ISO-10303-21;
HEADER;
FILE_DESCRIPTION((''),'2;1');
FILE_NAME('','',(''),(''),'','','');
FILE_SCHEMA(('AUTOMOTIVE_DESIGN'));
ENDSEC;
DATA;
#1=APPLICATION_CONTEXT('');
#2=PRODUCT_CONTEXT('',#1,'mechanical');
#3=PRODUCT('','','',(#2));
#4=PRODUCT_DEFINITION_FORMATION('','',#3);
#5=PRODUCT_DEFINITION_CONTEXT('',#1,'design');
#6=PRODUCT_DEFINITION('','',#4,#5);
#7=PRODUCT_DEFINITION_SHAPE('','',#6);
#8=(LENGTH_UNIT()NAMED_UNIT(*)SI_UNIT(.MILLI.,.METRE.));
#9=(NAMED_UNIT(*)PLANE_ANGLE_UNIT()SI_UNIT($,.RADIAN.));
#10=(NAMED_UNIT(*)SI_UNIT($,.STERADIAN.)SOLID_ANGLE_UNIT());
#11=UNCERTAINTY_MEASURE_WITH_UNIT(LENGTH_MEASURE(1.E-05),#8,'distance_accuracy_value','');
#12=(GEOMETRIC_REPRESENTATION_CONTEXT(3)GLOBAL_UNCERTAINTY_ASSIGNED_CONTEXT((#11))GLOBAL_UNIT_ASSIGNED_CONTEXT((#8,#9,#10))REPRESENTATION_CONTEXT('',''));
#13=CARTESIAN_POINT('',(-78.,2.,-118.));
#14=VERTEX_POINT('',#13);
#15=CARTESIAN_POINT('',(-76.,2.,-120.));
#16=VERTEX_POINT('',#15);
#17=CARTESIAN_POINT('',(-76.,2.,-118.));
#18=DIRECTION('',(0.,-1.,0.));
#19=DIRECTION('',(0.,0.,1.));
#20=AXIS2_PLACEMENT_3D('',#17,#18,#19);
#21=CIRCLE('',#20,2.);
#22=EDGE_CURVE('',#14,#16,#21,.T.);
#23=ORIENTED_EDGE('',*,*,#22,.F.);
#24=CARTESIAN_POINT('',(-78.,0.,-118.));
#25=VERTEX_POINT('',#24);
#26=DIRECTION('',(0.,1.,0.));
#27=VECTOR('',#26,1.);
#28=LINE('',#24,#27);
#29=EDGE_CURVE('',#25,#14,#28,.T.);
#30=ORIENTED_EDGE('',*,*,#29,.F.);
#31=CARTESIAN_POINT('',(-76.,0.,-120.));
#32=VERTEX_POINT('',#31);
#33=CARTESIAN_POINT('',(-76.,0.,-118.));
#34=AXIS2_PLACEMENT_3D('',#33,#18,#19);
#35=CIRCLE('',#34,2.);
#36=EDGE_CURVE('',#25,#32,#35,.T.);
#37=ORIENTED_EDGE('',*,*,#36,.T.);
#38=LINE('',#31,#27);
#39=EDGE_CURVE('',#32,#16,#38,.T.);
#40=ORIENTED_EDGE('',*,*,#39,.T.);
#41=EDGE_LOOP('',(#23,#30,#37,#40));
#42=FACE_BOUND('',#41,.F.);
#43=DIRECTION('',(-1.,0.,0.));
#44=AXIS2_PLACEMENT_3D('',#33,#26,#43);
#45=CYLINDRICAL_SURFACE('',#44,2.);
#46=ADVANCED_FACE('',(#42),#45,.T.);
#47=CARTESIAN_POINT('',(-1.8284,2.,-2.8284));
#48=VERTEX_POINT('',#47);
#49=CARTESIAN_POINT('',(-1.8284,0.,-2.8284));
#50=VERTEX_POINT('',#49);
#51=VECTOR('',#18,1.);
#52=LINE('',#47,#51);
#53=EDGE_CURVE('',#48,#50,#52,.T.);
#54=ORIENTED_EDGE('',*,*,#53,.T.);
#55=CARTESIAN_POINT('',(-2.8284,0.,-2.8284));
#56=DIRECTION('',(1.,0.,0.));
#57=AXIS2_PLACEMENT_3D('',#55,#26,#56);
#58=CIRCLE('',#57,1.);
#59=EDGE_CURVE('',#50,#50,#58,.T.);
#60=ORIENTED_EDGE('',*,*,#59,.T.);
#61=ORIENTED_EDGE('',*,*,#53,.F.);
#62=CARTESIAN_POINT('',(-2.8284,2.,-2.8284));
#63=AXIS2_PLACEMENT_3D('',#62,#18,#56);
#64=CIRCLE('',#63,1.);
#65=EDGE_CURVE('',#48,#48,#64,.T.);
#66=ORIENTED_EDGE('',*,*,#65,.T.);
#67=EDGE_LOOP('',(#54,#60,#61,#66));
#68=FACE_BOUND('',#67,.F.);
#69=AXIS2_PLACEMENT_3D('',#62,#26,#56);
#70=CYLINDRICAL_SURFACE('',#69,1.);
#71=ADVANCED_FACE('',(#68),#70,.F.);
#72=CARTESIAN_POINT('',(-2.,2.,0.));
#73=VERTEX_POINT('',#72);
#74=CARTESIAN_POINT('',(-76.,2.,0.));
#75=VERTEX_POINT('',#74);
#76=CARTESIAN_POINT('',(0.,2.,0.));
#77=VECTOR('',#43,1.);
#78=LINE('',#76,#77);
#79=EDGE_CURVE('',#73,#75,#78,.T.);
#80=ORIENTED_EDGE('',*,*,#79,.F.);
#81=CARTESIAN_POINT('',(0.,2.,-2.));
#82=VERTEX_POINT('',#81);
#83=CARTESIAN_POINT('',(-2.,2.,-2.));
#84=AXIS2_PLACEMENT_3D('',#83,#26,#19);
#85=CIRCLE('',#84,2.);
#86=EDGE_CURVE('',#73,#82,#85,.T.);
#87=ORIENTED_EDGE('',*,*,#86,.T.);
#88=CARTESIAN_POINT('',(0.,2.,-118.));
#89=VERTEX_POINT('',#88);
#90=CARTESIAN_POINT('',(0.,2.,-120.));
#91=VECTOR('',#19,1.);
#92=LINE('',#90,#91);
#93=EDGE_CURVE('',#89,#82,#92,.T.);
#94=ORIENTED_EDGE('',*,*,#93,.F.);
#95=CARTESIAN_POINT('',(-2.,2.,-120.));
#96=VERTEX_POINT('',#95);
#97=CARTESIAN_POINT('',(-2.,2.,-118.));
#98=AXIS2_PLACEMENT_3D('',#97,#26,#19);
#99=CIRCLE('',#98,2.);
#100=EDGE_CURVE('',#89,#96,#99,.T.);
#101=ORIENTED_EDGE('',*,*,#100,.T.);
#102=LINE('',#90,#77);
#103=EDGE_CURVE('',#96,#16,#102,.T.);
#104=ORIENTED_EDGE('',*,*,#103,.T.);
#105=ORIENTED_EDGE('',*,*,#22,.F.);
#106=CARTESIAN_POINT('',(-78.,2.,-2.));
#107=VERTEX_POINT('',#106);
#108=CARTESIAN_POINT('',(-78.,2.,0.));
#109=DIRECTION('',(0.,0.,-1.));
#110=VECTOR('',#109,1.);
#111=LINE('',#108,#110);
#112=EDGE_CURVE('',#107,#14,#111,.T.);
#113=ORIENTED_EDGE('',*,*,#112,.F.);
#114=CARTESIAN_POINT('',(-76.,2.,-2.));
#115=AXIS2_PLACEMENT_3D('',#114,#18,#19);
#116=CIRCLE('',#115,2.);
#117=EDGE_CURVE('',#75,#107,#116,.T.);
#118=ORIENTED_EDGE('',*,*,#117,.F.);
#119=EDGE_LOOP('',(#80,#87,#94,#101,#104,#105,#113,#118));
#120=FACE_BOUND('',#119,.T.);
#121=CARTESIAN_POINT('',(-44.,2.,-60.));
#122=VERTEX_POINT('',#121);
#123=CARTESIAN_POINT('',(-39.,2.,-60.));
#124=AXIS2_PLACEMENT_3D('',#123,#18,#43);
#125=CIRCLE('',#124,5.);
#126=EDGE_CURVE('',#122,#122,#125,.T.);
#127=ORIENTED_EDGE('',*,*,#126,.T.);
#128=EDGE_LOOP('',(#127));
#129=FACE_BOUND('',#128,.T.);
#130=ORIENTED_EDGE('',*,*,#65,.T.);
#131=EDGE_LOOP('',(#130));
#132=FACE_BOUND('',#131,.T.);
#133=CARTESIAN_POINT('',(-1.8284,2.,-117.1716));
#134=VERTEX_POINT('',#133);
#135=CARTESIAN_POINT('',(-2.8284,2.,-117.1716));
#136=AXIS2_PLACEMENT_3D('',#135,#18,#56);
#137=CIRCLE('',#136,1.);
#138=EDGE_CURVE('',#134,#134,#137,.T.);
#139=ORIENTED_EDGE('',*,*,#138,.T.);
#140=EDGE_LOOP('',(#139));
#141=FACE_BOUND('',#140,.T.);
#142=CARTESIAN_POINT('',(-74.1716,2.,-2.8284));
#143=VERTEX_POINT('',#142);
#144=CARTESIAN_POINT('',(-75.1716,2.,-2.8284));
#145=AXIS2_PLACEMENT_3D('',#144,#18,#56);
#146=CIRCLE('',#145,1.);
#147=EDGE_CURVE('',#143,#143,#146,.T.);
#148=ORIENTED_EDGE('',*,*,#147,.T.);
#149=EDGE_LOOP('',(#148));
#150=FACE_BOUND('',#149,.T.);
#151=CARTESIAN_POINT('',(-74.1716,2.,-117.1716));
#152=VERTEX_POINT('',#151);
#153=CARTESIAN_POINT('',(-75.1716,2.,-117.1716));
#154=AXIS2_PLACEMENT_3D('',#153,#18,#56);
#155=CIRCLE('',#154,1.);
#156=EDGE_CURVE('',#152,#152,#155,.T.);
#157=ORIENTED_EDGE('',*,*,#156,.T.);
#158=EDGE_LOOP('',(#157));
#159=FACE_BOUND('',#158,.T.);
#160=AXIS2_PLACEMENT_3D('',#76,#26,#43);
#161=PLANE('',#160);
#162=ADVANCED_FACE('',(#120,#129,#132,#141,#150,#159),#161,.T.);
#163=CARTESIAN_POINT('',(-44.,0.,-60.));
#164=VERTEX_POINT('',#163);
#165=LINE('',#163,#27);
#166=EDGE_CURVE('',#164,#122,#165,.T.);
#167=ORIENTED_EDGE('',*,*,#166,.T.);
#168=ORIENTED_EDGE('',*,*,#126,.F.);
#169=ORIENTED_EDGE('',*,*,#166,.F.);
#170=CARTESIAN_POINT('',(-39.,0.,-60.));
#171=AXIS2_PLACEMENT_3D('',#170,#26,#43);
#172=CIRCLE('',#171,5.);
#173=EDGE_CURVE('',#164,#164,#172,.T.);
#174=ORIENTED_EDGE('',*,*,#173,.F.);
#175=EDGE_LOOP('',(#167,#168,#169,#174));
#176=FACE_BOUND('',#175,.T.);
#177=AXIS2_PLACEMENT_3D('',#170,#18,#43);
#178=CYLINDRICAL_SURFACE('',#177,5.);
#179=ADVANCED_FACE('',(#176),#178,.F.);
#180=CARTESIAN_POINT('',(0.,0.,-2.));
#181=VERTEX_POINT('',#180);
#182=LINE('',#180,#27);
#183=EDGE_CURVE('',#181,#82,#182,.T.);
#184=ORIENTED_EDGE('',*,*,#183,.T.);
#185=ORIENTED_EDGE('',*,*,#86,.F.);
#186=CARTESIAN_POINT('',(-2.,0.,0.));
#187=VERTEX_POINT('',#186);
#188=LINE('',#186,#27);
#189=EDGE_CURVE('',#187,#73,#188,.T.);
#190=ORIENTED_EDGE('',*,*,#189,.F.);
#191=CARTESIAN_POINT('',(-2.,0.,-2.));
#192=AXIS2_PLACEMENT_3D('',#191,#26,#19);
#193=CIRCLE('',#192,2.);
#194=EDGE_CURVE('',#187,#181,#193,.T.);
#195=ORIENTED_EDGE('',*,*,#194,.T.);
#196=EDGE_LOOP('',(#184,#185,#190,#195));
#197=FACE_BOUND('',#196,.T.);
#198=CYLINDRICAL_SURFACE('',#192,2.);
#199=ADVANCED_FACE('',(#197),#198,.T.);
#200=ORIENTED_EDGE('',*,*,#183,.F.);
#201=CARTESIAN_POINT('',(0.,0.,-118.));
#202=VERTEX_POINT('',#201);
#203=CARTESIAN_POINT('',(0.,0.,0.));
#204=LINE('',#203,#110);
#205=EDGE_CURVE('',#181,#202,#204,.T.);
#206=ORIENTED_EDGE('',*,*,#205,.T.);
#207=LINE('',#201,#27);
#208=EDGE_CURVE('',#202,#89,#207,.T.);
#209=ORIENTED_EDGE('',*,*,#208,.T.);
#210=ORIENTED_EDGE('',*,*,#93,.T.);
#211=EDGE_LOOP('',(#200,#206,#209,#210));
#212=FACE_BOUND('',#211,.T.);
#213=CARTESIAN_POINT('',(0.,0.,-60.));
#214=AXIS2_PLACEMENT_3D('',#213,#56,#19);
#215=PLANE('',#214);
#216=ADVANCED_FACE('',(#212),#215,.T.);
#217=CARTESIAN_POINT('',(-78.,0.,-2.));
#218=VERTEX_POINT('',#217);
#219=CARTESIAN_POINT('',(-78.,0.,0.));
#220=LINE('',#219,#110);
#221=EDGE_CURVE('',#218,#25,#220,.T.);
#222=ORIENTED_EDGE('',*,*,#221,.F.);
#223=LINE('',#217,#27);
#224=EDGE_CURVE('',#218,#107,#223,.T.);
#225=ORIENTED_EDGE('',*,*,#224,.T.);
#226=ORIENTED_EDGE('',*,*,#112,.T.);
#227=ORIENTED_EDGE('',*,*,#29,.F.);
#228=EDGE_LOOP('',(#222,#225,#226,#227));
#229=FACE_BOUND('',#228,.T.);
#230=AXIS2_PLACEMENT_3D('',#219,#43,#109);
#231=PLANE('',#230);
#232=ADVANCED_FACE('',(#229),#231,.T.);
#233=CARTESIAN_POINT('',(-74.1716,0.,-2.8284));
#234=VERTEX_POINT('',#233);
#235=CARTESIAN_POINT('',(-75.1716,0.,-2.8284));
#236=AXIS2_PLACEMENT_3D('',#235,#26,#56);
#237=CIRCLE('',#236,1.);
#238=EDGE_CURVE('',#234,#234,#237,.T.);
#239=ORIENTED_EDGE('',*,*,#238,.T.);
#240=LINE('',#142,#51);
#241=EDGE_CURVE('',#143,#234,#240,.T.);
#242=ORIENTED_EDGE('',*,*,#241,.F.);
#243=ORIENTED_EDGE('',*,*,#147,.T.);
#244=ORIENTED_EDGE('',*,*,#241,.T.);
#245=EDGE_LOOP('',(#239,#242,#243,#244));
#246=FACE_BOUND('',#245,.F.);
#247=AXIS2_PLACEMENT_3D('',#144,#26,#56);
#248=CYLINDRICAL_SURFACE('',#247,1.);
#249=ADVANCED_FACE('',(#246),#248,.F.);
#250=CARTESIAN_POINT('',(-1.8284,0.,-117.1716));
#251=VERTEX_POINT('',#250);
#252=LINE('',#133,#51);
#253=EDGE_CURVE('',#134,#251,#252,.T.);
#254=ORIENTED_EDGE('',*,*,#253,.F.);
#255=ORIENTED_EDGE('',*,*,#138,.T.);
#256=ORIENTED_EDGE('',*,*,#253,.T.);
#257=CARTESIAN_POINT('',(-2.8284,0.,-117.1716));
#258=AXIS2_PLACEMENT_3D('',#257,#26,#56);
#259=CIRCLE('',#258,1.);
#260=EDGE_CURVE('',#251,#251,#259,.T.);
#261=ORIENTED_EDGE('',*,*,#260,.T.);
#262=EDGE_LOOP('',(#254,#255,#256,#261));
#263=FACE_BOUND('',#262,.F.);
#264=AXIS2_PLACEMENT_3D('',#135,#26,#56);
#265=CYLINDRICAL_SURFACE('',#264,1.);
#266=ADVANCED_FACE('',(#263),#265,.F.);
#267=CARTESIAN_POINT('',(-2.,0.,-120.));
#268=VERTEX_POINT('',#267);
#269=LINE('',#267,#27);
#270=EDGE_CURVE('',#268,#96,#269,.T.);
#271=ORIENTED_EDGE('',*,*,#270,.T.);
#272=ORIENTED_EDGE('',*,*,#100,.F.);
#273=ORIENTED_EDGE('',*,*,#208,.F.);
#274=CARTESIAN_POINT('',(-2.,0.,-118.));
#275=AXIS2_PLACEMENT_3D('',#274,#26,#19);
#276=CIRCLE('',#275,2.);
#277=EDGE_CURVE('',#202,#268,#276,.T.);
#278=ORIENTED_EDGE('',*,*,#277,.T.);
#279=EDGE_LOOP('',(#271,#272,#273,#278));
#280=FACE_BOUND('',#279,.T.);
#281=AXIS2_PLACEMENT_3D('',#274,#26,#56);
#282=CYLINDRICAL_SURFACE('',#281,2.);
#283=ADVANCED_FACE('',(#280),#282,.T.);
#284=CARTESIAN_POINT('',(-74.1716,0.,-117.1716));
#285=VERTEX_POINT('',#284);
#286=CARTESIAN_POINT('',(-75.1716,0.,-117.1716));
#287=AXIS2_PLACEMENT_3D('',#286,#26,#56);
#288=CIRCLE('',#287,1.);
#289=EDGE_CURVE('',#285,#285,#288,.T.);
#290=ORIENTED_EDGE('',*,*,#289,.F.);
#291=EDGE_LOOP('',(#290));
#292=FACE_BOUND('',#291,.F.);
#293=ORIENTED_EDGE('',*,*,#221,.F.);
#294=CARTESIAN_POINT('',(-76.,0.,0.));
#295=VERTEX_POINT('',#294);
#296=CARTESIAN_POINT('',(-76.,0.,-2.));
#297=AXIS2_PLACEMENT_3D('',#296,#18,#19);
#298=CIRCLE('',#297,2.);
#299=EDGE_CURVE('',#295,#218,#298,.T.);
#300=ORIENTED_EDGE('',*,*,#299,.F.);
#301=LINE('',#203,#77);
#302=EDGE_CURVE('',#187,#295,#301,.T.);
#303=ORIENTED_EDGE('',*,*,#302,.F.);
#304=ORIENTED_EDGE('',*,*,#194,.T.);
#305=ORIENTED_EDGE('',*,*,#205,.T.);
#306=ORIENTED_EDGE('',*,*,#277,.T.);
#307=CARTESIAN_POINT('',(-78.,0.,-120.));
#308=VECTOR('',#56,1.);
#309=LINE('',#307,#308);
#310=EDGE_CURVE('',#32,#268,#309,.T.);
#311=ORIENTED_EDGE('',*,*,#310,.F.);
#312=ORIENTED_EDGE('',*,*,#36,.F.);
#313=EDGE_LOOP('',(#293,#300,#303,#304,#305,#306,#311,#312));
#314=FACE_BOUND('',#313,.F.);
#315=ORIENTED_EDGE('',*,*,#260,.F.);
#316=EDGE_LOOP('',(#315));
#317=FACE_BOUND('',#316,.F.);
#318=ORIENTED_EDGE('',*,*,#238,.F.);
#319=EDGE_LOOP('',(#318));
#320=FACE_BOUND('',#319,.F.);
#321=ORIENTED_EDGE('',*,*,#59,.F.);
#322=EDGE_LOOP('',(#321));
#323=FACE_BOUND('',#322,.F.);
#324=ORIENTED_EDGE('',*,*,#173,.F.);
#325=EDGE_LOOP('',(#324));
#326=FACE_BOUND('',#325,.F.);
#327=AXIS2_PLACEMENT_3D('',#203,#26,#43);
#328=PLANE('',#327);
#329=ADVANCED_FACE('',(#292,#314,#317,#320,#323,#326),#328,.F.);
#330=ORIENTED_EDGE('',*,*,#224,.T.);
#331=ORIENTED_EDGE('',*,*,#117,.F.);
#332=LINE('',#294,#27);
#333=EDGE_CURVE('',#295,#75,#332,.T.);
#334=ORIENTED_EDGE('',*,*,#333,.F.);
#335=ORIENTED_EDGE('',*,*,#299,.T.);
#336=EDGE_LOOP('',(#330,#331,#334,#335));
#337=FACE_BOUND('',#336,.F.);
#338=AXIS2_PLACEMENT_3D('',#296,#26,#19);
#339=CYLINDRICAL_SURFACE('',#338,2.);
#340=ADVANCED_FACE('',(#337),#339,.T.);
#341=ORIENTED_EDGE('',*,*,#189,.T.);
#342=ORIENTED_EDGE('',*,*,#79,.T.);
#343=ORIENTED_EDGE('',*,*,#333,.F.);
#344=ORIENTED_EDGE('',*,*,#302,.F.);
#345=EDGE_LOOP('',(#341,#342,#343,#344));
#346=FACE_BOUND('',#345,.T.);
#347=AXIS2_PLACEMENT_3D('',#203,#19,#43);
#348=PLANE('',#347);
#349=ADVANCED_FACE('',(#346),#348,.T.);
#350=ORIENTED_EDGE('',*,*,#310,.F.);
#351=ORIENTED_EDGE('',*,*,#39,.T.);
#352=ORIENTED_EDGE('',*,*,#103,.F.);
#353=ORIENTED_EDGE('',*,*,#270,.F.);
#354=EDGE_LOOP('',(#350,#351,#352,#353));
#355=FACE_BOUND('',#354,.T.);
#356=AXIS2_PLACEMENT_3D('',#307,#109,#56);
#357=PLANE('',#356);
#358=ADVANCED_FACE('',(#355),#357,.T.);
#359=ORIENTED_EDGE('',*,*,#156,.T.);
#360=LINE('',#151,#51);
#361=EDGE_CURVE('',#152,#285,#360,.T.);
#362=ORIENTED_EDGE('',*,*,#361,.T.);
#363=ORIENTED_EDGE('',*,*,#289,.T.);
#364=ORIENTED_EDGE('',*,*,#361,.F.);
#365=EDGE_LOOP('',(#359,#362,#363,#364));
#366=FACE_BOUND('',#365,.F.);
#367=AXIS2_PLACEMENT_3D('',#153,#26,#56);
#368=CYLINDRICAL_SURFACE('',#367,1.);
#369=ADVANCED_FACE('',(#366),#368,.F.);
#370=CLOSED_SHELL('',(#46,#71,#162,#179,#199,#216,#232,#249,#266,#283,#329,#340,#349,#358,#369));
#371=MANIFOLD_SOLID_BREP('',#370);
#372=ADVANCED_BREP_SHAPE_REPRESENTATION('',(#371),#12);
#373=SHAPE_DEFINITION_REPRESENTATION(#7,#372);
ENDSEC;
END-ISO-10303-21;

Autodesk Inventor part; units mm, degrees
ref_plane "YZ Plane" through (0, 0, 0) normal (1, 0, 0) x (0, 1, 0)
ref_plane "XZ Plane" through (0, 0, 0) normal (0, 1, 0) x (-1, 0, 0)
ref_plane "XY Plane" through (0, 0, 0) normal (0, 0, 1) x (1, 0, 0)
sketch "Boceto1" plane through (0, 0, 0) normal (0, 1, 0) x (-1, 0, 0)
  line L0 (0, 0) -> (78, 0)
  line L1 (78, 0) -> (78, -120)
  line L2 (78, -120) -> (0, -120)
  line L3 (0, -120) -> (0, 0)
  line L4 (39, -120) -> (39, -40.9916)
  line L5 (0, -60) -> (49.8561, -60)
  circle A0 centre (39, -60) radius 5
  dimension "d0" = 120
  dimension "d1" = 78
  dimension "d11" = 10
extrude "Extrusión1" add sketch "Boceto1" along normal blind 2 contours L0 L1 L2 L4 A0 L5 L3 | L5 A0 L4 L2 L3
fillet "Empalme1" radius 2 4 edges at (0, 1, 0) (-78, 1, -120) (0, 1, -120) (-78, 1, 0)
sketch "Boceto2" plane through (0, 2, 0) normal (0, 1, 0) x (1, 0, 0)
  circle A0 centre (0, 0) radius 4
  line L0 (0, 0) -> (-8.4064, 8.4064)
  arc A1 (-2, 0) -> (0, 2) centre (-2, 2) ccw
  circle A2 centre (-2.8284, 2.8284) radius 1
  line L1 (0, 60) -> (-13.3552, 60)
  line L2 (-39, 120) -> (-39, 106.5507)
  circle A3 centre (0, 120) radius 4
  line L3 (0, 120) -> (-8.4064, 111.5936)
  arc A4 (0, 118) -> (-2, 120) centre (-2, 118) ccw
  circle A5 centre (-2.8284, 117.1716) radius 1
  circle A6 centre (-78, 120) radius 4
  line L4 (-78, 120) -> (-69.5936, 111.5936)
  arc A7 (-76, 120) -> (-78, 118) centre (-76, 118) ccw
  circle A8 centre (-75.1716, 117.1716) radius 1
  circle A9 centre (-78, 0) radius 4
  line L5 (-78, 0) -> (-69.5936, 8.4064)
  arc A10 (-78, 2) -> (-76, 0) centre (-76, 2) ccw
  circle A11 centre (-75.1716, 2.8284) radius 1
  dimension "d5" = 8
  dimension "d8" = 2
extrude "Extrusión2" cut sketch "Boceto2" against normal blind 2 contours A2 L0 A0 | A0 L0 A2 | A2 L0 A0 | A0 L0 A2 | A5 L3 A3 | A3 L3 A5 | A5 L3 A3 | A3 L3 A5 | A8 L4 A6 | A6 L4 A8 | A8 L4 A6 | A6 L4 A8 | A11 L5 A9 | A9 L5 A11 | A11 L5 A9 | A9 L5 A11
properties part number "Chasis Tapa Raspberry Pi"
